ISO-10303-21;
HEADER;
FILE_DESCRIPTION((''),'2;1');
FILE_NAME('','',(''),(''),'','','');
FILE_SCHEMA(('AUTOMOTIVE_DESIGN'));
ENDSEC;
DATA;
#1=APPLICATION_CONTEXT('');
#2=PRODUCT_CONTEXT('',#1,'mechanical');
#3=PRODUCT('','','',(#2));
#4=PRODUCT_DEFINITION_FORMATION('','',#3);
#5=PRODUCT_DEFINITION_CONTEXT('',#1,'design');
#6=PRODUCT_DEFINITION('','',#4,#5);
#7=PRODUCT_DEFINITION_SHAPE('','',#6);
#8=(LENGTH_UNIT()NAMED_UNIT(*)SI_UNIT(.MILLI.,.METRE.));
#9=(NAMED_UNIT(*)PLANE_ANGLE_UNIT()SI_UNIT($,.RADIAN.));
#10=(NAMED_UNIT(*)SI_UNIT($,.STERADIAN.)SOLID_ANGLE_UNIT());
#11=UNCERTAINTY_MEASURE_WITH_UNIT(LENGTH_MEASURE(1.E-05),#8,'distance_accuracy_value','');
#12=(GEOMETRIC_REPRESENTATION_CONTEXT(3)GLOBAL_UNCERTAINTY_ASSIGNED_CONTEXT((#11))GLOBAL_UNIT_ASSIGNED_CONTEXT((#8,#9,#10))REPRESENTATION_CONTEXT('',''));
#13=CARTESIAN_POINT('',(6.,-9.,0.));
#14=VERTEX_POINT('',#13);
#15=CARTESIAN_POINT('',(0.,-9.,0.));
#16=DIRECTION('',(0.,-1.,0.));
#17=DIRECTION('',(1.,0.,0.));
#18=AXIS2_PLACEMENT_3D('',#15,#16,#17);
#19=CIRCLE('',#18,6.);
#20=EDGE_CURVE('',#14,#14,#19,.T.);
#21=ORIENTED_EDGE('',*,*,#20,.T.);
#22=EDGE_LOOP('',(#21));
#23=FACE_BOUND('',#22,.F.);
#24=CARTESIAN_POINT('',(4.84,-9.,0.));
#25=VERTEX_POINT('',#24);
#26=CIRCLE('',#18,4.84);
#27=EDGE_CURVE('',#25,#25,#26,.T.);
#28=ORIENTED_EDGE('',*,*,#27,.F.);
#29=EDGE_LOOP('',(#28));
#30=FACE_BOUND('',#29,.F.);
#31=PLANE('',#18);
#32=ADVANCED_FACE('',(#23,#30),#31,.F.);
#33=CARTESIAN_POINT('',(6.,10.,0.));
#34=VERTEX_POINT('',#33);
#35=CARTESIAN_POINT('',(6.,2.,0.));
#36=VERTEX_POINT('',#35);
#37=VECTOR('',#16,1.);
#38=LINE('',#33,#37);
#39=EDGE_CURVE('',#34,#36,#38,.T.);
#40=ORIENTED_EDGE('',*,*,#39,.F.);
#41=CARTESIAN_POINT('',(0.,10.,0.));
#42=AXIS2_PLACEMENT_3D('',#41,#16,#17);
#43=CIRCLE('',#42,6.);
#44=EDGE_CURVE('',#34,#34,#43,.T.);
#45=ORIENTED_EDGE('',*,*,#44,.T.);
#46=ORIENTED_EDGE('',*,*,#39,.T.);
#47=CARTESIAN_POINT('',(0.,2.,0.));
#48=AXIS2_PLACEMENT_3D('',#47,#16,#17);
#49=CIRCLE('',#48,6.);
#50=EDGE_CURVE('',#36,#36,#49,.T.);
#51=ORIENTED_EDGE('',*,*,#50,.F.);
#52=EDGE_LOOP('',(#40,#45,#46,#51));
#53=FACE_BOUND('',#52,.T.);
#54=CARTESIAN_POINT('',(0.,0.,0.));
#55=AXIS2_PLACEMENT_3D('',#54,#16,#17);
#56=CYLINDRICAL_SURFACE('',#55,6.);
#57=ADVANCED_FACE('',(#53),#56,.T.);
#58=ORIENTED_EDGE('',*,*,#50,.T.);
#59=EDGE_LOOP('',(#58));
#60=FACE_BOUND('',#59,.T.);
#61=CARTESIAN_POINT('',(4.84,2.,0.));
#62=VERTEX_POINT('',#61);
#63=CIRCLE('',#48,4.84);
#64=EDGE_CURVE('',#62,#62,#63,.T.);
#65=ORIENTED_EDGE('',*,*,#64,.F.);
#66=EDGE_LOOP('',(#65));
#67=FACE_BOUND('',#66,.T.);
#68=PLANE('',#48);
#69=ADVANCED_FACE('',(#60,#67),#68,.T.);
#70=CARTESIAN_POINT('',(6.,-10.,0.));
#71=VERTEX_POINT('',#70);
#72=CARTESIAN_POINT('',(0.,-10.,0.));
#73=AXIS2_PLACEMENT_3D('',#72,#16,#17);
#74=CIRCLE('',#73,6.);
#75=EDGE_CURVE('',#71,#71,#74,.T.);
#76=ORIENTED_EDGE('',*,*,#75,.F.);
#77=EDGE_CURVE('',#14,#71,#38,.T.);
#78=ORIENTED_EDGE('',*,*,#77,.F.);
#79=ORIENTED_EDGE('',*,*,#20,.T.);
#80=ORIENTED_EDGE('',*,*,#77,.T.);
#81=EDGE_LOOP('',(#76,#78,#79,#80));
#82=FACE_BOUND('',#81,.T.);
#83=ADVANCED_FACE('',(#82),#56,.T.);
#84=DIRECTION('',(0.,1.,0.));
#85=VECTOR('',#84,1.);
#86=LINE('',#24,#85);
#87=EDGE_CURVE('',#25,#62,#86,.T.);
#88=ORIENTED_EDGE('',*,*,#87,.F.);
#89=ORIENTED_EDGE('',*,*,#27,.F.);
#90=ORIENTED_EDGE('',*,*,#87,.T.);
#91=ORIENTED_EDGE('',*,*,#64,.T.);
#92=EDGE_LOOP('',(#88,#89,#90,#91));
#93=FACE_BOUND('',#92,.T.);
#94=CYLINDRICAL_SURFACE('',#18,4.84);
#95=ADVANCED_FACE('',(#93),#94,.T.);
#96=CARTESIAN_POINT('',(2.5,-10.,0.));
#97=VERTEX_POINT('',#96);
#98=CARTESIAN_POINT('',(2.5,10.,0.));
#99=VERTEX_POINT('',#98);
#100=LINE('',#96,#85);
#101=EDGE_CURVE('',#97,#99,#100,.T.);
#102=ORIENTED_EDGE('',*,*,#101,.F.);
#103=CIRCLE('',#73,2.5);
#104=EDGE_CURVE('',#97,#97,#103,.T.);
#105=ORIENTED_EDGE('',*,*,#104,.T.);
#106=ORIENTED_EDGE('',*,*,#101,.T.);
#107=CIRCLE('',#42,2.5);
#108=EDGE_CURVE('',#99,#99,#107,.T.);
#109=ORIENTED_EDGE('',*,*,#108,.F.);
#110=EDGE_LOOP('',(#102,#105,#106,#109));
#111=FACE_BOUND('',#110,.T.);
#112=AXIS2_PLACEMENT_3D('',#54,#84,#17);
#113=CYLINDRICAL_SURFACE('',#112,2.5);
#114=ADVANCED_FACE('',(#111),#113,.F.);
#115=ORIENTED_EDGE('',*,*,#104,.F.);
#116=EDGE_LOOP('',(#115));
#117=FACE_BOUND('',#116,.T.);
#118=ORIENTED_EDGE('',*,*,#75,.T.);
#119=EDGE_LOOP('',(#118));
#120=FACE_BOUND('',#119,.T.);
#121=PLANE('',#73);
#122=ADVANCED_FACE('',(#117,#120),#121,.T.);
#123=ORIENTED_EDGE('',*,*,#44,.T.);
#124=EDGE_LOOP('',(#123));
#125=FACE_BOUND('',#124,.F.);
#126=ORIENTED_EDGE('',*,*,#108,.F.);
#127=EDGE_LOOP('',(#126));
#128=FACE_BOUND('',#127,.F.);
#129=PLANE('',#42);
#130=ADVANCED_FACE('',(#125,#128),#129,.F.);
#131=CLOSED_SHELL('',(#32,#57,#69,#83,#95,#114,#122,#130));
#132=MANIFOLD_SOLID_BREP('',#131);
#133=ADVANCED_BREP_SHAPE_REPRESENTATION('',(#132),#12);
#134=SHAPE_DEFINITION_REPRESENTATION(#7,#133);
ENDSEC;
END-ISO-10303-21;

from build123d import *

# Parameters (mm, degrees)
F0_R     = 6
F0_R_2   = 2.5
F1_DEPTH = 10
F3_R     = 7
F3_R_2   = 4.84
F4_DEPTH = 11


with BuildPart() as f1:
    # F0 (on Front) → F1 (new body, symmetric)
    with BuildSketch(Plane.XZ):
        Circle(F0_R)
        Circle(F0_R_2, mode=Mode.SUBTRACT)
    extrude(amount=F1_DEPTH, both=True)

    # F3 (on offset) → F4 (cut)
    with BuildSketch(Plane.XZ.offset(9)):
        Circle(F3_R)
        Circle(F3_R_2, mode=Mode.SUBTRACT)
    extrude(amount=-F4_DEPTH, mode=Mode.SUBTRACT)


solid = f1.part
